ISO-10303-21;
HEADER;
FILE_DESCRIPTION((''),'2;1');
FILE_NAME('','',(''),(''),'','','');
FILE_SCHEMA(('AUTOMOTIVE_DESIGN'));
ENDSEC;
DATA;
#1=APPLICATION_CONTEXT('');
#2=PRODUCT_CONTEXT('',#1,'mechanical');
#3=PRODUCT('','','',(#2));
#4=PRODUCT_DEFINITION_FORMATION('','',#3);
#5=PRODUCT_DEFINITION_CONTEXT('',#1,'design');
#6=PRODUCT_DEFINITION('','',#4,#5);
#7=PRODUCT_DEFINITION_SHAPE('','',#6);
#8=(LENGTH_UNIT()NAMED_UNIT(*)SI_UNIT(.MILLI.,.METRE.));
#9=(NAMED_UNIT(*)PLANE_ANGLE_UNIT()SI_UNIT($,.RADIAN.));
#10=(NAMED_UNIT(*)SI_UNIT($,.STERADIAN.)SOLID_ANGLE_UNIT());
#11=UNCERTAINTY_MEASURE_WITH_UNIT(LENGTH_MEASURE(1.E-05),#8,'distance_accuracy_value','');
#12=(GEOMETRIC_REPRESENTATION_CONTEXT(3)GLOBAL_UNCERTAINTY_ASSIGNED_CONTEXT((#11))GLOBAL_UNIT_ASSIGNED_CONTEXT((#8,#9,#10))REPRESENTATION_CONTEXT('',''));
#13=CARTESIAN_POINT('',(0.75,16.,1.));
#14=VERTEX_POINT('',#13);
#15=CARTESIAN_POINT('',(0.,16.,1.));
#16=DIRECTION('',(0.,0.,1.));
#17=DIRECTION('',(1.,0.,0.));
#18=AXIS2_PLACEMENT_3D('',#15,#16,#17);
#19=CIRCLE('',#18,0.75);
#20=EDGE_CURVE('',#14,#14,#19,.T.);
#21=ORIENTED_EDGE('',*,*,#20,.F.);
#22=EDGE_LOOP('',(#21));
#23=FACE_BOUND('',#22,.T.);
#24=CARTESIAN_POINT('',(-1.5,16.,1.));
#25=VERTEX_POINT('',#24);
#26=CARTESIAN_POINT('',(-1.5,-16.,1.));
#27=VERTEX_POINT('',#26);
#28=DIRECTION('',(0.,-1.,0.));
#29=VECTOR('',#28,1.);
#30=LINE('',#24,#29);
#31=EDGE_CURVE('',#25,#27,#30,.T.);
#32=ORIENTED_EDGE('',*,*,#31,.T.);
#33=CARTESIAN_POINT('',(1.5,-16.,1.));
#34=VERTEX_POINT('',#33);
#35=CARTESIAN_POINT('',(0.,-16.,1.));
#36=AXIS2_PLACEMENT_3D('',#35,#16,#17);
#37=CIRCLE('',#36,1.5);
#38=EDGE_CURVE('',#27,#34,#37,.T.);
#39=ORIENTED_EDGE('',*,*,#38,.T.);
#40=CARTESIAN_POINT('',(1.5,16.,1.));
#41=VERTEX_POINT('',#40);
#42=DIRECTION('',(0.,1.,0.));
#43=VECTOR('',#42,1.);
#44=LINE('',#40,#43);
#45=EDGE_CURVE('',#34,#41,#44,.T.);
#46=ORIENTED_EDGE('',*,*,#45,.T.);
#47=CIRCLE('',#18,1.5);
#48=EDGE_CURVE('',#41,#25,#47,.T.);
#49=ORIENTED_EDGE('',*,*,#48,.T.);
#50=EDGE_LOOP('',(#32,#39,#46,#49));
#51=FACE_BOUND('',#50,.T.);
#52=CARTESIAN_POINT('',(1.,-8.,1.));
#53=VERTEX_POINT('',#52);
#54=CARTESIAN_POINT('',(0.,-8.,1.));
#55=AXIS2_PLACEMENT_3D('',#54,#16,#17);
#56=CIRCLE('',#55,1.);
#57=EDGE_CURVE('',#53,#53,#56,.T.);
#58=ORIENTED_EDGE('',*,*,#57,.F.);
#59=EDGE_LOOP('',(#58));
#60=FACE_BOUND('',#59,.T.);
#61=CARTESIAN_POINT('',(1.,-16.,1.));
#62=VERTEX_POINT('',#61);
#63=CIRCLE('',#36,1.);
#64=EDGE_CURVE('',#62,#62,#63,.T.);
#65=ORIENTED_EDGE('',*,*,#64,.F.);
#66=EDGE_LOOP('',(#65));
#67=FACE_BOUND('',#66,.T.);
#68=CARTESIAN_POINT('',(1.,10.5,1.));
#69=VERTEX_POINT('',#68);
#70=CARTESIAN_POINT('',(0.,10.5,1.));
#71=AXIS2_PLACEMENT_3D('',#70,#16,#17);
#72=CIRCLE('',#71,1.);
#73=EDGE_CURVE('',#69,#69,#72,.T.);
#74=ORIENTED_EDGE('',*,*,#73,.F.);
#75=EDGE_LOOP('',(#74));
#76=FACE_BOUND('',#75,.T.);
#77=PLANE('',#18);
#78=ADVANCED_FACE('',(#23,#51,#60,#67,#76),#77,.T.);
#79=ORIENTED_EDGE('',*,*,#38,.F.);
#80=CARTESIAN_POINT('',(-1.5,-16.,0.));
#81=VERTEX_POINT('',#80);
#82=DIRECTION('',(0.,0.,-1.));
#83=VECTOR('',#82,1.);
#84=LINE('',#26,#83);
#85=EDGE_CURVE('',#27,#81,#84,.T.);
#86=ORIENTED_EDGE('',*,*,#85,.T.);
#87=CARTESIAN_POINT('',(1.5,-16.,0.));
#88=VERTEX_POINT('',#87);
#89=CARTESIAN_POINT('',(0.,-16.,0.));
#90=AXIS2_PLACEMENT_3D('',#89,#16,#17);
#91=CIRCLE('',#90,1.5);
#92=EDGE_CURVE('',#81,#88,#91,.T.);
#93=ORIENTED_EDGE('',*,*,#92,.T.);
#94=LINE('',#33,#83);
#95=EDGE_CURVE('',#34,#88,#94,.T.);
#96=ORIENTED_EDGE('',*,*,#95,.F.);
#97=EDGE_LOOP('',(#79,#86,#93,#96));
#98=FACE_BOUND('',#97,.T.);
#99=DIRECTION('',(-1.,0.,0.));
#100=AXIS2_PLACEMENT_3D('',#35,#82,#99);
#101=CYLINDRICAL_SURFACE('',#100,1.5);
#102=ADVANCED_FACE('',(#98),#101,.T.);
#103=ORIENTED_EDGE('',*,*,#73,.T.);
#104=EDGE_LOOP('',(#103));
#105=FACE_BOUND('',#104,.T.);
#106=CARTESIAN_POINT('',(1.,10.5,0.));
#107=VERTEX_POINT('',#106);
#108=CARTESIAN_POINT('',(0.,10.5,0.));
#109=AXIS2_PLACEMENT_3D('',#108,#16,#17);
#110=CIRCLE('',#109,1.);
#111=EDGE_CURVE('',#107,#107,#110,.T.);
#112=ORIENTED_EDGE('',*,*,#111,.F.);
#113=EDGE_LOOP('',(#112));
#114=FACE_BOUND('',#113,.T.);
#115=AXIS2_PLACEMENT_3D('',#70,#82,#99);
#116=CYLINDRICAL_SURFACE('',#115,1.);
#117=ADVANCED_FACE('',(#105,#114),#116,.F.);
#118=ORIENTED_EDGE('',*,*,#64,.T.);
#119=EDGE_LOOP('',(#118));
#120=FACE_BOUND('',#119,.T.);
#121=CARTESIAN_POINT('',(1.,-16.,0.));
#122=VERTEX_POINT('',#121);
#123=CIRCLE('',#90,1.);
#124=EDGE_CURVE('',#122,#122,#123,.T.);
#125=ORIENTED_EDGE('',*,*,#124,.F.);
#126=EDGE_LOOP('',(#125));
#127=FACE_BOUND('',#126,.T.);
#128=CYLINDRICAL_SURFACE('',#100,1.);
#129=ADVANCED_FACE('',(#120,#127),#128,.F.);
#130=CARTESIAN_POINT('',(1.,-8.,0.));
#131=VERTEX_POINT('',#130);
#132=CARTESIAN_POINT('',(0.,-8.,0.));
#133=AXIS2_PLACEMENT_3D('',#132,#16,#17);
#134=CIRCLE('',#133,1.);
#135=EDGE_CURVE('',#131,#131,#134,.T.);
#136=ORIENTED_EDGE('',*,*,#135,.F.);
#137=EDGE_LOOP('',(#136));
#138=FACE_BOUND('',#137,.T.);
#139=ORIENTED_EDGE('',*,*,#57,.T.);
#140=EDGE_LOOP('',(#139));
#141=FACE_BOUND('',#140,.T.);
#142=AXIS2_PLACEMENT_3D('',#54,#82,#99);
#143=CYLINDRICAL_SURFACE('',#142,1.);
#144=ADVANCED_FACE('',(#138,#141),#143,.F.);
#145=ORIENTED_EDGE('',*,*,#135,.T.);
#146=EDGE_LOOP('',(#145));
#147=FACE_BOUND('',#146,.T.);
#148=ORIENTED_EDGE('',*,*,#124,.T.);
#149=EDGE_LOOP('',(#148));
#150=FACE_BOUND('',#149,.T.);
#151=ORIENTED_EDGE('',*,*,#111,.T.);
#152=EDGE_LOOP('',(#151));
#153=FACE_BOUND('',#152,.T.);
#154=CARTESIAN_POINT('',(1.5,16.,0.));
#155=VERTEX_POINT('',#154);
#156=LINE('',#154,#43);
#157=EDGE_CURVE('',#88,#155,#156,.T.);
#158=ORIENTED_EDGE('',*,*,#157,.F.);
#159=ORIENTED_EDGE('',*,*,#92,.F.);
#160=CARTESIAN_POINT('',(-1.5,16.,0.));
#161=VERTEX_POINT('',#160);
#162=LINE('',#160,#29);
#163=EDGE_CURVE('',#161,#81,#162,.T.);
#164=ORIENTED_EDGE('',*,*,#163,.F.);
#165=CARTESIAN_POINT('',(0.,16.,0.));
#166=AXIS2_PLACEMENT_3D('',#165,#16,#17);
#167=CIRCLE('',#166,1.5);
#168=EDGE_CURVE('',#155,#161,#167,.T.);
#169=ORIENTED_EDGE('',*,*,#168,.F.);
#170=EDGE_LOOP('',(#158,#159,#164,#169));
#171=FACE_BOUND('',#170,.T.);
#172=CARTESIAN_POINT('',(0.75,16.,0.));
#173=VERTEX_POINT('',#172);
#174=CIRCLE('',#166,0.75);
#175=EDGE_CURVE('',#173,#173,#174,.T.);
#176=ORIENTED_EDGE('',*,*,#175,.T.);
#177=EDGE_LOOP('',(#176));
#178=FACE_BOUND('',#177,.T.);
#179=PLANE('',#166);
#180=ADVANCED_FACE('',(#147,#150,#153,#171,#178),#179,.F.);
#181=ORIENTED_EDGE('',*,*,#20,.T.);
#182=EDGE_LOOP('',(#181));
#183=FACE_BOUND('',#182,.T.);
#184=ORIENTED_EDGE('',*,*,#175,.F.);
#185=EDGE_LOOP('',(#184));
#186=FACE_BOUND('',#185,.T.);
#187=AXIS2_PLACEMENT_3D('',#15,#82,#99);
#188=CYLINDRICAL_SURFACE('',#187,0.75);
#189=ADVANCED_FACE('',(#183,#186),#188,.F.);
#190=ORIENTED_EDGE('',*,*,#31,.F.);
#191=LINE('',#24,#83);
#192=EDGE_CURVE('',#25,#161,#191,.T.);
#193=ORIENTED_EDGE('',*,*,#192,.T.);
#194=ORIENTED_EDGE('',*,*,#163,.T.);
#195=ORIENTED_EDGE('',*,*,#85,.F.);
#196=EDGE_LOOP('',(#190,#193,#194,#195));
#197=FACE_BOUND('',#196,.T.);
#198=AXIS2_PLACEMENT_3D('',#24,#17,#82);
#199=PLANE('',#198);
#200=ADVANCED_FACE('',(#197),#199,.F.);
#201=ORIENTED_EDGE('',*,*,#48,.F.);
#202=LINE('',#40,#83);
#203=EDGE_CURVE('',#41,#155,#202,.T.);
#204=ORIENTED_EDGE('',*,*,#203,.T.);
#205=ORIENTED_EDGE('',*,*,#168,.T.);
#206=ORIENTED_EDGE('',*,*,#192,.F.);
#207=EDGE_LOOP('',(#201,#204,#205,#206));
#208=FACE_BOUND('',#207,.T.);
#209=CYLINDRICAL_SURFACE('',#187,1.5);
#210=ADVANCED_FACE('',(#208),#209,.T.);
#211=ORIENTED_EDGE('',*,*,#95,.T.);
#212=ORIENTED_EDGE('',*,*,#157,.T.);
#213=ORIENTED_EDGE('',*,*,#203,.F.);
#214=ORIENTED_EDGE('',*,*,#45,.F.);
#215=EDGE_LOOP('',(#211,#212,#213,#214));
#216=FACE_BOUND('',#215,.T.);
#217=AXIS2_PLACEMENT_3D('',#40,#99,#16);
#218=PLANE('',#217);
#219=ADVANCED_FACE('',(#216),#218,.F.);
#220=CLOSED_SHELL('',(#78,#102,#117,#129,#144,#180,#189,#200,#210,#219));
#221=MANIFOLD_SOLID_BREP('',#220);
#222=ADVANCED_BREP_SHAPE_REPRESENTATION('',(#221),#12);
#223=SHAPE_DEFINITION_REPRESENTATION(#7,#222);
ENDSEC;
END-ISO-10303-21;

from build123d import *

# Parameters (mm, degrees)
SKETCH1_R           = 0.75
SKETCH1_R_2         = 1
BOSS_EXTRUDE1_DEPTH = 1


with BuildPart() as part:
    # Sketch1 → Boss-Extrude1 (new body)
    with BuildSketch(Plane.XY):
        with BuildLine():
            Line((1.5, 16), (1.5, -16))
            ThreePointArc((1.5, -16), (0, -17.5), (-1.5, -16))
            Line((-1.5, -16), (-1.5, 16))
            ThreePointArc((-1.5, 16), (0, 17.5), (1.5, 16))
        make_face()
        with Locations((0, 16)):
            Circle(SKETCH1_R, mode=Mode.SUBTRACT)
        with Locations((0, -16)):
            Circle(SKETCH1_R_2, mode=Mode.SUBTRACT)
        with Locations((0, 10.5)):
            Circle(SKETCH1_R_2, mode=Mode.SUBTRACT)
        with Locations((0, -8)):
            Circle(SKETCH1_R_2, mode=Mode.SUBTRACT)
    extrude(amount=BOSS_EXTRUDE1_DEPTH)


solid = part.part
